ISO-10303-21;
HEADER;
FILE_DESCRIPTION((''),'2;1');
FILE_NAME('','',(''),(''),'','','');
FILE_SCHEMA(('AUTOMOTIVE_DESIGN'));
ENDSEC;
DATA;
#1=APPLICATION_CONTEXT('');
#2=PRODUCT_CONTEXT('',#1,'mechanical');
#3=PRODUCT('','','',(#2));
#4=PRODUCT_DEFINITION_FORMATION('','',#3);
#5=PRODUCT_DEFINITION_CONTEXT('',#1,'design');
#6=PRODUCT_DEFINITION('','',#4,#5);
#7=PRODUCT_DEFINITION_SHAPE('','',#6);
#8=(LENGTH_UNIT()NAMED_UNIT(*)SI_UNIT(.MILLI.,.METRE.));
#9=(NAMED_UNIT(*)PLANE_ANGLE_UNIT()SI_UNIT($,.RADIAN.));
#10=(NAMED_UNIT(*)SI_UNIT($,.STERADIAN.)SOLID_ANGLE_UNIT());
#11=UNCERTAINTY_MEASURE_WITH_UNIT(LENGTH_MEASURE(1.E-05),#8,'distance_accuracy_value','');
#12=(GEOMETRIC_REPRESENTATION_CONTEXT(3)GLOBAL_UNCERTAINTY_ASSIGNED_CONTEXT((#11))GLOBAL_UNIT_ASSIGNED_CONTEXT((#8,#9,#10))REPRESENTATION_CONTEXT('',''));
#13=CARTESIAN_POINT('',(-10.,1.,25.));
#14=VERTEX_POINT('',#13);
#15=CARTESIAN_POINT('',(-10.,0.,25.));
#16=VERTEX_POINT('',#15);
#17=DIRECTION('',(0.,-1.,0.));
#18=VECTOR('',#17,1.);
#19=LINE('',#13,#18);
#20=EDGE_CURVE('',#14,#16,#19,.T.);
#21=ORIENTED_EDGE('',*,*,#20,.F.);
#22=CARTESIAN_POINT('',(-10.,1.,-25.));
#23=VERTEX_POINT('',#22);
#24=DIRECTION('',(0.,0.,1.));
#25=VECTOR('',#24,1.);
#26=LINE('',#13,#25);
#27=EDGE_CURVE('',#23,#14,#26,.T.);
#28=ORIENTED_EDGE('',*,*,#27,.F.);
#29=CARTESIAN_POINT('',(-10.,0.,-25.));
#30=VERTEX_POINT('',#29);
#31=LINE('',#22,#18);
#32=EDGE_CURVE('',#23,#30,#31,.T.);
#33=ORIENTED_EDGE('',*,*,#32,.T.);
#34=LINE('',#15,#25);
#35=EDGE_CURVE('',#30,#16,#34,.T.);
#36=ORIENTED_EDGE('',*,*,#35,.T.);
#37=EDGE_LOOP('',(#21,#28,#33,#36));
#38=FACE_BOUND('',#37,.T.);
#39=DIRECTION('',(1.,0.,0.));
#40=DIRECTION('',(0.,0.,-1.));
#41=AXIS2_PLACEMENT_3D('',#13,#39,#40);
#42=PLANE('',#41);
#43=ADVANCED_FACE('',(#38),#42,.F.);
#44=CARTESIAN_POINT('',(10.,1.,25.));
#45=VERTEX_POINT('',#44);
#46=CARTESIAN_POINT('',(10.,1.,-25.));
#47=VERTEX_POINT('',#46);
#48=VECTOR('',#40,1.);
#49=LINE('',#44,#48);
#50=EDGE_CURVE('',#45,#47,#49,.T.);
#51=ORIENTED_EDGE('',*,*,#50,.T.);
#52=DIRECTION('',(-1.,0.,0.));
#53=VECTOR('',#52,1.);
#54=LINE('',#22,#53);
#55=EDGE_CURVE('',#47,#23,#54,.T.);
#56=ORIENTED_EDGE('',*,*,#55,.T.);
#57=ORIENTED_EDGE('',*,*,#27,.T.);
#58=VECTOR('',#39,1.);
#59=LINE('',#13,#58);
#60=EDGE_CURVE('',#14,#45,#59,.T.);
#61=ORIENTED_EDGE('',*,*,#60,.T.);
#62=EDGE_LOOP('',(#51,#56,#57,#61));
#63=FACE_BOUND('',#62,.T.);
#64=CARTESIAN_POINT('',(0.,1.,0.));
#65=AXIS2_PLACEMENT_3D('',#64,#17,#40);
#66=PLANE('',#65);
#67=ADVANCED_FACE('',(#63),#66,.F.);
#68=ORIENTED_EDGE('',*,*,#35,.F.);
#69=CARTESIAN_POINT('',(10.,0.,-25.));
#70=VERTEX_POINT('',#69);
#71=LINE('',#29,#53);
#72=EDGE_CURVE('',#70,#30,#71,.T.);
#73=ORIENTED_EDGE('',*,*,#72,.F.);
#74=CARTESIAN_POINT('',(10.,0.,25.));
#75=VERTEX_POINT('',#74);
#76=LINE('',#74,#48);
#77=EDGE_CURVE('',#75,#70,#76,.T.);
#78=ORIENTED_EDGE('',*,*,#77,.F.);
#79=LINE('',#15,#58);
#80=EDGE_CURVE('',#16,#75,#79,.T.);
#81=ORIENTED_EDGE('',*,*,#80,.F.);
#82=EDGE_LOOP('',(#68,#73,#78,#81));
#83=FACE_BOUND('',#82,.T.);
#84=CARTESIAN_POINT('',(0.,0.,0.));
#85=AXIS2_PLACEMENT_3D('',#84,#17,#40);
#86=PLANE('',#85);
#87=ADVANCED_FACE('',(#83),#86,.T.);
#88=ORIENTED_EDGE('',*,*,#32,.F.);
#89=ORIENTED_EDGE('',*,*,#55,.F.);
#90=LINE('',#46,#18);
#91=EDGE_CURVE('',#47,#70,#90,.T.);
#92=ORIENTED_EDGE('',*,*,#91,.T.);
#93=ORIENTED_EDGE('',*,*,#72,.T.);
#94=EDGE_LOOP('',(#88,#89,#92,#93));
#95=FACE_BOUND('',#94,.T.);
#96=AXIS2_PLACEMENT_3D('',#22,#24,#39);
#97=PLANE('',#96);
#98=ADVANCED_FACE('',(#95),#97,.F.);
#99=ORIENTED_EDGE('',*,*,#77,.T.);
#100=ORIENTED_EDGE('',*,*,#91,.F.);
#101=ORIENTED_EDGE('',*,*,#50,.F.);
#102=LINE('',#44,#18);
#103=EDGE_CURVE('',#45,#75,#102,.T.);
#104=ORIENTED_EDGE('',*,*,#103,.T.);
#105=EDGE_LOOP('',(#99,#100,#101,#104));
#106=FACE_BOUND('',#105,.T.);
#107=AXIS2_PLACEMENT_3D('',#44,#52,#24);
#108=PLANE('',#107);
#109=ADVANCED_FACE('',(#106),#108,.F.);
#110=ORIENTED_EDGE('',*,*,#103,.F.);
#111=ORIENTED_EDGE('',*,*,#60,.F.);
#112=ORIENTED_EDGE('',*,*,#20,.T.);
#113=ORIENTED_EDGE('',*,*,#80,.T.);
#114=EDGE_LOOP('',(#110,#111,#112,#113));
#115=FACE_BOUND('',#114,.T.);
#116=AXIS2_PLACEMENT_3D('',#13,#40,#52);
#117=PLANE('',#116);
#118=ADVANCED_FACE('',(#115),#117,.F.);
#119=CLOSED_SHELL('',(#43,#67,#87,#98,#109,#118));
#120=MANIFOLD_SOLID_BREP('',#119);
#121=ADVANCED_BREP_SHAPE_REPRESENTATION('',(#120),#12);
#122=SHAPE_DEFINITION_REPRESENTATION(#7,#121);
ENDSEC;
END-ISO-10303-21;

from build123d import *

# Parameters (mm, degrees)
ESBO_O1_W                = 20
ESBO_O1_H                = 50
RESSALTO_EXTRUS_O1_DEPTH = 1


with BuildPart() as part:
    # Esboço1 → Ressalto-extrusão1 (new body)
    with BuildSketch(Plane(origin=(0, 0, 0), x_dir=(1, 0, 0), z_dir=(0, 1, 0))):
        Rectangle(ESBO_O1_W, ESBO_O1_H)
    extrude(amount=RESSALTO_EXTRUS_O1_DEPTH)


solid = part.part
